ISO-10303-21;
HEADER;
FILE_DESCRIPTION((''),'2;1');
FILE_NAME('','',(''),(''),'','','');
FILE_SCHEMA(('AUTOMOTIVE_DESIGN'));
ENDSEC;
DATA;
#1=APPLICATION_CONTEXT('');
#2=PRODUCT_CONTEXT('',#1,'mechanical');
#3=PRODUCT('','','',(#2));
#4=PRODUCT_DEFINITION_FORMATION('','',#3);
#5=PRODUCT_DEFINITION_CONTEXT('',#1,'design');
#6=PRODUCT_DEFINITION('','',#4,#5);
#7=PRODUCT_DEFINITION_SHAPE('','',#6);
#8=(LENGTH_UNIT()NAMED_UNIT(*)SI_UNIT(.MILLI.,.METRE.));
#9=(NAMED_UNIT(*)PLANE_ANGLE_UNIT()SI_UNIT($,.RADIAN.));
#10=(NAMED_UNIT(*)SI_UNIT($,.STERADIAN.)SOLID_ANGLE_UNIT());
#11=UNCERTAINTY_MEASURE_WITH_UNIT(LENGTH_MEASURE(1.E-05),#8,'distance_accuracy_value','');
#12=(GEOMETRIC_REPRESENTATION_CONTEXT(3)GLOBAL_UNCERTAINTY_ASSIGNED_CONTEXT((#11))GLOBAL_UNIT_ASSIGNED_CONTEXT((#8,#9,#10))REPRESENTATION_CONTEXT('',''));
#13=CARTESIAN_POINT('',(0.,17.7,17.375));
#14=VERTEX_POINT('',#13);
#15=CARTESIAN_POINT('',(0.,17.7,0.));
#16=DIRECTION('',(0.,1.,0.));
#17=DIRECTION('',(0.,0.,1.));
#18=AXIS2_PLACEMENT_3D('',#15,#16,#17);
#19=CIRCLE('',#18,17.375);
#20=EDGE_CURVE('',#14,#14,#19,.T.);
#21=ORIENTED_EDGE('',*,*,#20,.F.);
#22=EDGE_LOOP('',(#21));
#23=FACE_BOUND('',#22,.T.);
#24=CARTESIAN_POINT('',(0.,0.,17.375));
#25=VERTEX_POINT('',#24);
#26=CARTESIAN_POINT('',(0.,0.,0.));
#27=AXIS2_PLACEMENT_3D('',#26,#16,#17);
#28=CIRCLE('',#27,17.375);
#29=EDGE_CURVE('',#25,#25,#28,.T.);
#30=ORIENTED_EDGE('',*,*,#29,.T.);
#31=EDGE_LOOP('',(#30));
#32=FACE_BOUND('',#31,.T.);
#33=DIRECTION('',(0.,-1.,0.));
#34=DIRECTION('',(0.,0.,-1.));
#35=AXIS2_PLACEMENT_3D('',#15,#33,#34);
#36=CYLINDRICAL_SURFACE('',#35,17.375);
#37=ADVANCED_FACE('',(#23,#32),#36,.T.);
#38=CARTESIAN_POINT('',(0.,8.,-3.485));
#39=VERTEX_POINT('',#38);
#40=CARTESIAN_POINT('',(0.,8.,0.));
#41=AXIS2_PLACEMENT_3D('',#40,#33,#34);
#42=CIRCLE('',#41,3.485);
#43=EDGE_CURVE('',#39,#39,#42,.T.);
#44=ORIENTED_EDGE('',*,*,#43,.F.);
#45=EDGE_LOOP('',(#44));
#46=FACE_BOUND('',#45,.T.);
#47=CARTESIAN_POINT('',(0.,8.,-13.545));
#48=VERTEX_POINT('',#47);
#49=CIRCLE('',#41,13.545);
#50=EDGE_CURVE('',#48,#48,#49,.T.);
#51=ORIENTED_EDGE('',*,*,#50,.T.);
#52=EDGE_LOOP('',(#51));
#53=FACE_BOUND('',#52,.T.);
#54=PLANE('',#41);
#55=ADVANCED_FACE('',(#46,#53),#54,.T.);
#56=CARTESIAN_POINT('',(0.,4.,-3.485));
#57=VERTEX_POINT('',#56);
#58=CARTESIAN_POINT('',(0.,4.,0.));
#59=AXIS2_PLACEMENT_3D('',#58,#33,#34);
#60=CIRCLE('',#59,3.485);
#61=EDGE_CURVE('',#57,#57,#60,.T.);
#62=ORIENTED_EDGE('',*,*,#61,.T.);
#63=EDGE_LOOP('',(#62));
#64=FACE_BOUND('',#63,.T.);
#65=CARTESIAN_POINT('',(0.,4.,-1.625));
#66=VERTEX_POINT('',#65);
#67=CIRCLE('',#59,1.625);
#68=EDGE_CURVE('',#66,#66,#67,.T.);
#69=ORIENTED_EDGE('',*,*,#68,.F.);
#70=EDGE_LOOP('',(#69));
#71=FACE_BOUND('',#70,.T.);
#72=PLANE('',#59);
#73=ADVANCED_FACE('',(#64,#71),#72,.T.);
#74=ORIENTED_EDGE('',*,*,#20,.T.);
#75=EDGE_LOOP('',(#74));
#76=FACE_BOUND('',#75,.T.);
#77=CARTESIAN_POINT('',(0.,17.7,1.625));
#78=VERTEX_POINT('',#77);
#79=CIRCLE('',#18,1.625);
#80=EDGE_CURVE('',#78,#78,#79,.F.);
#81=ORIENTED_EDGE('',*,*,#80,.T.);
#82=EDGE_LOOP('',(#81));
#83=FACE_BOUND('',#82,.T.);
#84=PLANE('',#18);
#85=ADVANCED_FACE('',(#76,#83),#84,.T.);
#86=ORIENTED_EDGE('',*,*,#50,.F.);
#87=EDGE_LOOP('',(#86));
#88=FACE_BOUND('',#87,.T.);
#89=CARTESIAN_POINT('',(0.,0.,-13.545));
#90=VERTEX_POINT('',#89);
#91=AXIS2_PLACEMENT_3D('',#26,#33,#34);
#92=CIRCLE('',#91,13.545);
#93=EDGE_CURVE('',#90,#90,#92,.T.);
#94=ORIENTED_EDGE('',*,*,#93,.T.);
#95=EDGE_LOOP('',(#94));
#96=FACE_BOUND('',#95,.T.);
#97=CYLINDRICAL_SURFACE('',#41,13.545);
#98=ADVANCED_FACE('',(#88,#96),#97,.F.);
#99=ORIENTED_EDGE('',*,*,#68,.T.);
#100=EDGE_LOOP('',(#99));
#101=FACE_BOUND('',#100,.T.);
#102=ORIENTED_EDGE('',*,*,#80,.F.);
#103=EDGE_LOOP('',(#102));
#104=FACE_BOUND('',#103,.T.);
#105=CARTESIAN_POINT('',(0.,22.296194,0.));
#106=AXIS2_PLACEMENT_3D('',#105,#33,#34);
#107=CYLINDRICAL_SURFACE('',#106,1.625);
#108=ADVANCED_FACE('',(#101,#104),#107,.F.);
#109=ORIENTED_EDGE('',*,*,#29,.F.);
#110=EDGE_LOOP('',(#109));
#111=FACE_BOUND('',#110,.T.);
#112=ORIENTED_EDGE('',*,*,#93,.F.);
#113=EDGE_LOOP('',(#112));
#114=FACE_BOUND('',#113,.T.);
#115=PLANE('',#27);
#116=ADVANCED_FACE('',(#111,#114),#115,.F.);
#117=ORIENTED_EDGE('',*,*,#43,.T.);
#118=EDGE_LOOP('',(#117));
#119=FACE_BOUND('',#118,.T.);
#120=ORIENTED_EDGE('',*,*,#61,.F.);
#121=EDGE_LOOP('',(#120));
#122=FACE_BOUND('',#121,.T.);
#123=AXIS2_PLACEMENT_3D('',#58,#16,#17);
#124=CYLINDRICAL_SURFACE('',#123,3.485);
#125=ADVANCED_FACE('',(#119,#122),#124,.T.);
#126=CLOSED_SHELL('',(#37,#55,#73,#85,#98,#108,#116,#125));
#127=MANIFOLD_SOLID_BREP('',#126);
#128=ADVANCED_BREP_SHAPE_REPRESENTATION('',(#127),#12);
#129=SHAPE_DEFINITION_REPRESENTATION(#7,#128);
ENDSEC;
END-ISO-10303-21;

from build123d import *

# Parameters (mm, degrees)
SKETCH1_R           = 17.375
BOSS_EXTRUDE1_DEPTH = 17.7
SKETCH7_R           = 13.545
CUT_EXTRUDE4_DEPTH  = 8
SKETCH10_R          = 3.485
BOSS_EXTRUDE3_DEPTH = 4
SKETCH11_R          = 1.625
CUT_EXTRUDE5_DEPTH  = 13.7


with BuildPart() as part:
    # Sketch1 → Boss-Extrude1 (new body)
    with BuildSketch(Plane(origin=(0, 0, 0), x_dir=(1, 0, 0), z_dir=(0, 1, 0))):
        Circle(SKETCH1_R)
    extrude(amount=BOSS_EXTRUDE1_DEPTH)

    # Sketch7 → Cut-Extrude4 (cut)
    with BuildSketch(Plane.XZ):
        Circle(SKETCH7_R)
    extrude(amount=-CUT_EXTRUDE4_DEPTH, mode=Mode.SUBTRACT)

    # Sketch10 → Boss-Extrude3 (add)
    with BuildSketch(Plane.XZ.offset(-8)):
        Circle(SKETCH10_R)
    extrude(amount=BOSS_EXTRUDE3_DEPTH)

    # Sketch11 → Cut-Extrude5 (cut)
    with BuildSketch(Plane.XZ.offset(-4)):
        Circle(SKETCH11_R)
    extrude(amount=-CUT_EXTRUDE5_DEPTH, mode=Mode.SUBTRACT)


solid = part.part
